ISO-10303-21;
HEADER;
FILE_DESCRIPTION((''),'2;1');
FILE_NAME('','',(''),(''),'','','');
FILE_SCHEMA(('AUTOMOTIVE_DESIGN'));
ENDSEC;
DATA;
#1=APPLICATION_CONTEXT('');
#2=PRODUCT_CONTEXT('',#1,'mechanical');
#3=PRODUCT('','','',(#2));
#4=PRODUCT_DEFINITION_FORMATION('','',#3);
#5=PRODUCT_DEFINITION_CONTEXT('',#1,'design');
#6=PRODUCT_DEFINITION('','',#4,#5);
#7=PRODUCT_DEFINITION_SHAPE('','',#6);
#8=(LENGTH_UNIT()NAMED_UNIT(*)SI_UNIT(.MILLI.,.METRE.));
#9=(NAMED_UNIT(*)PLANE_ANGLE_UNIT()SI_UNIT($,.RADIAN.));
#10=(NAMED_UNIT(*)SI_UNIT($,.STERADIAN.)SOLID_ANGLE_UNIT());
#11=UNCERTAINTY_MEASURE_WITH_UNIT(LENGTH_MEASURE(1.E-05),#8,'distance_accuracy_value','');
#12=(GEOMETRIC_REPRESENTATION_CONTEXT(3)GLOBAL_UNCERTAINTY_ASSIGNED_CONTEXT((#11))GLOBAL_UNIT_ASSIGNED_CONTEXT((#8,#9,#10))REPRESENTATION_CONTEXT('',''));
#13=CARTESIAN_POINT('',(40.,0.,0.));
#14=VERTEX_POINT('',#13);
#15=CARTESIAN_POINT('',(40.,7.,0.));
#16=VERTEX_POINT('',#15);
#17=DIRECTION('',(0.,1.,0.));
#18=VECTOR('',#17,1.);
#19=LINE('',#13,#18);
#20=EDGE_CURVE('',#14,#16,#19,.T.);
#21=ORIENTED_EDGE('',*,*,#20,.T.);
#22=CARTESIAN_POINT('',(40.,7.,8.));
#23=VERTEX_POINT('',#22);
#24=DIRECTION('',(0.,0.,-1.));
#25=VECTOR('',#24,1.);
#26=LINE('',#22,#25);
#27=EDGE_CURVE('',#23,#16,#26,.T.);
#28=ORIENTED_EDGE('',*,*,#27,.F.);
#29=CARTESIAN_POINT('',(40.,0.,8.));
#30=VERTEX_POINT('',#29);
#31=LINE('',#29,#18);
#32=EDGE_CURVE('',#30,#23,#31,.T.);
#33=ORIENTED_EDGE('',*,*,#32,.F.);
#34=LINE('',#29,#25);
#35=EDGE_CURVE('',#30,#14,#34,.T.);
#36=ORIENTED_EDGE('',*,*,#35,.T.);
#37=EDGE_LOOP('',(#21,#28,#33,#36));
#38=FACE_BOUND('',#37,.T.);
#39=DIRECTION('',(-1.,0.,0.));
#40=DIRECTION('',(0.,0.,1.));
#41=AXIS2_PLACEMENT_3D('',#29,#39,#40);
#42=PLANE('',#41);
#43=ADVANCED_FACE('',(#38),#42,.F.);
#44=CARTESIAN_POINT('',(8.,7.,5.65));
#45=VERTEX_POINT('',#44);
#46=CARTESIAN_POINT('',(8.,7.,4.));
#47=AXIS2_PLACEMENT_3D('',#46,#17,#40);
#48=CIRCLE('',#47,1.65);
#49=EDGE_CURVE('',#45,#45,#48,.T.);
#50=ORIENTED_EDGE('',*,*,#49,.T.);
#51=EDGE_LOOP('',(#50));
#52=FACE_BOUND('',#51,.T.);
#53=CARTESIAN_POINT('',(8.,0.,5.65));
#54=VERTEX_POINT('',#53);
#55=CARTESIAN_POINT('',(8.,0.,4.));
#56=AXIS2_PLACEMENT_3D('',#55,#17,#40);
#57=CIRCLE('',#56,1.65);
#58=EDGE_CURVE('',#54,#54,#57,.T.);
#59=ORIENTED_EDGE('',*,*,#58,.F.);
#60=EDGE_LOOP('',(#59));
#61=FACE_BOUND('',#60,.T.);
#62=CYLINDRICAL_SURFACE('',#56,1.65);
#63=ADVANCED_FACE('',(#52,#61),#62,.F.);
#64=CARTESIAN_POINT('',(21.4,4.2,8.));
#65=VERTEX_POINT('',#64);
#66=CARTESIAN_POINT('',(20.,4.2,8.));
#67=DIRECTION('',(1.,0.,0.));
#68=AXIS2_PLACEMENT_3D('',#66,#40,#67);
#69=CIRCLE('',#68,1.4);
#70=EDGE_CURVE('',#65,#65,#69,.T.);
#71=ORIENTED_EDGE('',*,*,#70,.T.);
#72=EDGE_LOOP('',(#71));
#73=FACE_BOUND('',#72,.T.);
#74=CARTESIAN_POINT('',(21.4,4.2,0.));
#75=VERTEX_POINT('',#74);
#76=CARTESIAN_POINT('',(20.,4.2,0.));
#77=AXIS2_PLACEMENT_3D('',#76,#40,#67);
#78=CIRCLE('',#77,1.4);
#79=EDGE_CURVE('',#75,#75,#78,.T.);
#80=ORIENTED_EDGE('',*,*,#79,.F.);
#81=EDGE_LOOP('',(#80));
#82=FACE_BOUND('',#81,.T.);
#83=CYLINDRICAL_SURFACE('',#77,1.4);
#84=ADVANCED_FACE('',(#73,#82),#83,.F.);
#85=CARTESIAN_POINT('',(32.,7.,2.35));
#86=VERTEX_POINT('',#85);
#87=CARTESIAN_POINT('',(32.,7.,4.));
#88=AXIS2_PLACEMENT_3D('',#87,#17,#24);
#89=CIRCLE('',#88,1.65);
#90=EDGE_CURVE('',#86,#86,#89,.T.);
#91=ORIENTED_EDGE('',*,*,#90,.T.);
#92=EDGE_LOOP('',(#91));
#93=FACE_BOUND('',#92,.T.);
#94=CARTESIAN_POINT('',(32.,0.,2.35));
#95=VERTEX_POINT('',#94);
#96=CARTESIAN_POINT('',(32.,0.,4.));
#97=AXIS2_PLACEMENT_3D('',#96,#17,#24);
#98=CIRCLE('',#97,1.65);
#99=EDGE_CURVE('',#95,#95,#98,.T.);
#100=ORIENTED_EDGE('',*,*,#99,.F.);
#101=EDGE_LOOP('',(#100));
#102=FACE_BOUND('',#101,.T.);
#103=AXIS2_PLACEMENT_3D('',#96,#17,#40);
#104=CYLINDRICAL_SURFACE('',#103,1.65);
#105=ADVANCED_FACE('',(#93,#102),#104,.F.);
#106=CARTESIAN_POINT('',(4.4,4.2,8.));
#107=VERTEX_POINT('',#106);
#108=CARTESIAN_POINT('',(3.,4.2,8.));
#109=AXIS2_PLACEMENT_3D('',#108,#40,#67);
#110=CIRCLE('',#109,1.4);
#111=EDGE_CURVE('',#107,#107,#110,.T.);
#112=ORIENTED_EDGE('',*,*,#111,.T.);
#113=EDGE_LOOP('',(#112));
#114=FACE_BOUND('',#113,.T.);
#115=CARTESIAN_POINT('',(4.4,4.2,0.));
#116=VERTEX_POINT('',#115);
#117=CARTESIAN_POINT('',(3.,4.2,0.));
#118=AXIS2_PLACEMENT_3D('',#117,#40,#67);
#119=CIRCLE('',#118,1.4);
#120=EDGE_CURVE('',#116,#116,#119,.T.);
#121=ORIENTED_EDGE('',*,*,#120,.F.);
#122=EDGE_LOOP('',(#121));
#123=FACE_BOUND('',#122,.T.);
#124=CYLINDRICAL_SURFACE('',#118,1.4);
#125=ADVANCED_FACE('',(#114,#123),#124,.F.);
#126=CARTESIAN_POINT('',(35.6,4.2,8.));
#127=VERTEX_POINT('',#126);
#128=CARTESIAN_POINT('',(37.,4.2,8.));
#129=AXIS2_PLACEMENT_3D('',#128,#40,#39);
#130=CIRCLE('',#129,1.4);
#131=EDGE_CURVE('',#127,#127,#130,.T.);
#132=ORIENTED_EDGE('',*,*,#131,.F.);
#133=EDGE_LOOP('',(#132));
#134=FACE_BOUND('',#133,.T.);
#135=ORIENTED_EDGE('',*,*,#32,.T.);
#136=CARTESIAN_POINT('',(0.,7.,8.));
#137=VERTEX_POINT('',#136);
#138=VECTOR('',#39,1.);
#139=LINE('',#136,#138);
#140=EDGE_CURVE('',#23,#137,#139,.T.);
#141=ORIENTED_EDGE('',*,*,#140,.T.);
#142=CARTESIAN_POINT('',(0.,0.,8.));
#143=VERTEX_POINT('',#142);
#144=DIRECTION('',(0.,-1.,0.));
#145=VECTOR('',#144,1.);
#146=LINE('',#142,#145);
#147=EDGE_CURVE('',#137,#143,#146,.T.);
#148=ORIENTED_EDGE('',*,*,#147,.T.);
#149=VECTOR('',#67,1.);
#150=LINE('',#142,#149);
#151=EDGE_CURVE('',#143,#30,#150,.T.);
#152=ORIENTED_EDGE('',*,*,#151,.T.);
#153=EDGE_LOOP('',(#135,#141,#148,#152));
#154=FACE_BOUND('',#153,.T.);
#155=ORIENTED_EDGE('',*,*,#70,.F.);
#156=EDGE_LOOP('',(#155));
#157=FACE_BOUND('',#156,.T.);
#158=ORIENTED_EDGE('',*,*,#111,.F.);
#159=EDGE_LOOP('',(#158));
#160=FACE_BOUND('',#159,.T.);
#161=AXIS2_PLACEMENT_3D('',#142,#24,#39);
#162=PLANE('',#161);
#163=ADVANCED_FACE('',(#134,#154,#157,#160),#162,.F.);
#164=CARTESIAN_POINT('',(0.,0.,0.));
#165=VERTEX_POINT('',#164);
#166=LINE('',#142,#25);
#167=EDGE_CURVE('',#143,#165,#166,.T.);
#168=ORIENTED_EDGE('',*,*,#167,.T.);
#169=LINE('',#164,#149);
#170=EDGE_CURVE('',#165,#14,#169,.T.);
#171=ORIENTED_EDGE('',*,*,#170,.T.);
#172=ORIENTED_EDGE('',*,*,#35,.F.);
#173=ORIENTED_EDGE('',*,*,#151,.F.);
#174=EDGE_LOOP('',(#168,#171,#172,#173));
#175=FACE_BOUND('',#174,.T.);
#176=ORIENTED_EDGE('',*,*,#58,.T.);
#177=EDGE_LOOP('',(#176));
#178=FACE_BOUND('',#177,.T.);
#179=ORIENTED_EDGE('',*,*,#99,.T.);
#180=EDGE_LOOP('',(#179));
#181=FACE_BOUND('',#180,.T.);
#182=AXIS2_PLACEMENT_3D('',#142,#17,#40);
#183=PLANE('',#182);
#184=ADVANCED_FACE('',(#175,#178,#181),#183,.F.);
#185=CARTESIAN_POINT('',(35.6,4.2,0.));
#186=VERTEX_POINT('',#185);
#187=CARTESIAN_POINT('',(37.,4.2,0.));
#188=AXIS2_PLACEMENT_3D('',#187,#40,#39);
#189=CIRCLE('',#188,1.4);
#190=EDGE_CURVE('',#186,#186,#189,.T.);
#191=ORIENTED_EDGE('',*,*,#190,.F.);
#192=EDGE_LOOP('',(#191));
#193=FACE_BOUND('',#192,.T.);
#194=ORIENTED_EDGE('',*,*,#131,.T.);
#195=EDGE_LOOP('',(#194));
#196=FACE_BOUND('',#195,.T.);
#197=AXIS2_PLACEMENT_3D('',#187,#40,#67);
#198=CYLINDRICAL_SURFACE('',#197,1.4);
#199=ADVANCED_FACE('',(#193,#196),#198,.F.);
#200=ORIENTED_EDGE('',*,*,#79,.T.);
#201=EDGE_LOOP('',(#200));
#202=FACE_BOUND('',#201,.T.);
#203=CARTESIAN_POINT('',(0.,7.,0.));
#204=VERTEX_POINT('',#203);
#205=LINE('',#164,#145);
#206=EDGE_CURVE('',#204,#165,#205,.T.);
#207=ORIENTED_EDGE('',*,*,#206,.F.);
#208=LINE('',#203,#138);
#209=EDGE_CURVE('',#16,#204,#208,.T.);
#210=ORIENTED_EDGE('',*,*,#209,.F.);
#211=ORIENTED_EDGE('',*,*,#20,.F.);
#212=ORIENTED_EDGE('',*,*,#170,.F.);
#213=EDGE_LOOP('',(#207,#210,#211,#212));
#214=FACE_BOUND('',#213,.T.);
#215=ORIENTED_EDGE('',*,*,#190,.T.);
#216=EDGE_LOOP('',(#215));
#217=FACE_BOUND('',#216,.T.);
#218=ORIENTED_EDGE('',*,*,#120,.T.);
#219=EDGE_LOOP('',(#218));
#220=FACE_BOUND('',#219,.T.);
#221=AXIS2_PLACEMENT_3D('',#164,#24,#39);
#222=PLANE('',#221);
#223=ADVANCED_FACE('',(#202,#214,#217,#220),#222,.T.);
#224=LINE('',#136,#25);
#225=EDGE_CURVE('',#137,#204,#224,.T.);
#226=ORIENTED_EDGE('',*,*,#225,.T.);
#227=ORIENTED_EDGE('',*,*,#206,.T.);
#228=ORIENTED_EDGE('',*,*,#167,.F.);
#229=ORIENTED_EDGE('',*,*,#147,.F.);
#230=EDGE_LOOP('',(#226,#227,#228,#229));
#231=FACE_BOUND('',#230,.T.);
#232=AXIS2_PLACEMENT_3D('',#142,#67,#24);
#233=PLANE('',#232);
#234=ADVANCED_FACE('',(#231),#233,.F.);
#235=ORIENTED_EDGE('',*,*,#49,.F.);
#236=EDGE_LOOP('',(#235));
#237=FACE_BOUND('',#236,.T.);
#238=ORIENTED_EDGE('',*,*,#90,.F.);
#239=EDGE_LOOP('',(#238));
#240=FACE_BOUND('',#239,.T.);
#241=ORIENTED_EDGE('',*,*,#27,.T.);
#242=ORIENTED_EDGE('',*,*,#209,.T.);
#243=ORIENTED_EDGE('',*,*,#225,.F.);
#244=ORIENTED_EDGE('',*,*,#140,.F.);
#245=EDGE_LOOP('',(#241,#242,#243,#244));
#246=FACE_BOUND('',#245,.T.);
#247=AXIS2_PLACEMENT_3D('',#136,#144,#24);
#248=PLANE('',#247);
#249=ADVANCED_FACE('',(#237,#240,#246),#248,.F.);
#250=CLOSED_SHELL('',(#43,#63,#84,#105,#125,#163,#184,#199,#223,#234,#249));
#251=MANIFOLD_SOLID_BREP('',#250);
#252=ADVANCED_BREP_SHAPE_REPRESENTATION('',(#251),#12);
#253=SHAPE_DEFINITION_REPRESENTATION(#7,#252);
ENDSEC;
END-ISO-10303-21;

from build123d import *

# Parameters (mm, degrees)
ESQUISSE1_W             = 40
ESQUISSE1_H             = 7
BOSS_EXTRU_1_DEPTH      = 8
ESQUISSE2_R             = 1.4
ENL_V_MAT_EXTRU_1_DEPTH = 42.388404173
ESQUISSE3_R             = 1.65
ENL_V_MAT_EXTRU_2_DEPTH = 42.388404173


with BuildPart() as part:
    # Esquisse1 → Boss.-Extru.1 (new body)
    with BuildSketch(Plane.XY):
        with Locations((20, 3.5)):
            Rectangle(ESQUISSE1_W, ESQUISSE1_H)
    extrude(amount=BOSS_EXTRU_1_DEPTH)

    # Esquisse2 → Enlèv. mat.-Extru.1 (cut, through all)
    with BuildSketch(Plane.XY.offset(8)):
        with Locations((20, 4.2)):
            Circle(ESQUISSE2_R)
        with Locations((3, 4.2)):
            Circle(ESQUISSE2_R)
        with Locations(Location((37, 4.2, 0), (0, 0, 180))):
            Circle(ESQUISSE2_R)
    extrude(amount=-ENL_V_MAT_EXTRU_1_DEPTH, mode=Mode.SUBTRACT)

    # Esquisse3 → Enlèv. mat.-Extru.2 (cut, through all)
    with BuildSketch(Plane(origin=(0, 7, 0), x_dir=(1, 0, 0), z_dir=(0, 1, 0))):
        with Locations(Location((8, -4, 0), (0, 0, 270))):
            Circle(ESQUISSE3_R)
        with Locations(Location((32, -4, 0), (0, 0, 90))):
            Circle(ESQUISSE3_R)
    extrude(amount=-ENL_V_MAT_EXTRU_2_DEPTH, mode=Mode.SUBTRACT)


solid = part.part
